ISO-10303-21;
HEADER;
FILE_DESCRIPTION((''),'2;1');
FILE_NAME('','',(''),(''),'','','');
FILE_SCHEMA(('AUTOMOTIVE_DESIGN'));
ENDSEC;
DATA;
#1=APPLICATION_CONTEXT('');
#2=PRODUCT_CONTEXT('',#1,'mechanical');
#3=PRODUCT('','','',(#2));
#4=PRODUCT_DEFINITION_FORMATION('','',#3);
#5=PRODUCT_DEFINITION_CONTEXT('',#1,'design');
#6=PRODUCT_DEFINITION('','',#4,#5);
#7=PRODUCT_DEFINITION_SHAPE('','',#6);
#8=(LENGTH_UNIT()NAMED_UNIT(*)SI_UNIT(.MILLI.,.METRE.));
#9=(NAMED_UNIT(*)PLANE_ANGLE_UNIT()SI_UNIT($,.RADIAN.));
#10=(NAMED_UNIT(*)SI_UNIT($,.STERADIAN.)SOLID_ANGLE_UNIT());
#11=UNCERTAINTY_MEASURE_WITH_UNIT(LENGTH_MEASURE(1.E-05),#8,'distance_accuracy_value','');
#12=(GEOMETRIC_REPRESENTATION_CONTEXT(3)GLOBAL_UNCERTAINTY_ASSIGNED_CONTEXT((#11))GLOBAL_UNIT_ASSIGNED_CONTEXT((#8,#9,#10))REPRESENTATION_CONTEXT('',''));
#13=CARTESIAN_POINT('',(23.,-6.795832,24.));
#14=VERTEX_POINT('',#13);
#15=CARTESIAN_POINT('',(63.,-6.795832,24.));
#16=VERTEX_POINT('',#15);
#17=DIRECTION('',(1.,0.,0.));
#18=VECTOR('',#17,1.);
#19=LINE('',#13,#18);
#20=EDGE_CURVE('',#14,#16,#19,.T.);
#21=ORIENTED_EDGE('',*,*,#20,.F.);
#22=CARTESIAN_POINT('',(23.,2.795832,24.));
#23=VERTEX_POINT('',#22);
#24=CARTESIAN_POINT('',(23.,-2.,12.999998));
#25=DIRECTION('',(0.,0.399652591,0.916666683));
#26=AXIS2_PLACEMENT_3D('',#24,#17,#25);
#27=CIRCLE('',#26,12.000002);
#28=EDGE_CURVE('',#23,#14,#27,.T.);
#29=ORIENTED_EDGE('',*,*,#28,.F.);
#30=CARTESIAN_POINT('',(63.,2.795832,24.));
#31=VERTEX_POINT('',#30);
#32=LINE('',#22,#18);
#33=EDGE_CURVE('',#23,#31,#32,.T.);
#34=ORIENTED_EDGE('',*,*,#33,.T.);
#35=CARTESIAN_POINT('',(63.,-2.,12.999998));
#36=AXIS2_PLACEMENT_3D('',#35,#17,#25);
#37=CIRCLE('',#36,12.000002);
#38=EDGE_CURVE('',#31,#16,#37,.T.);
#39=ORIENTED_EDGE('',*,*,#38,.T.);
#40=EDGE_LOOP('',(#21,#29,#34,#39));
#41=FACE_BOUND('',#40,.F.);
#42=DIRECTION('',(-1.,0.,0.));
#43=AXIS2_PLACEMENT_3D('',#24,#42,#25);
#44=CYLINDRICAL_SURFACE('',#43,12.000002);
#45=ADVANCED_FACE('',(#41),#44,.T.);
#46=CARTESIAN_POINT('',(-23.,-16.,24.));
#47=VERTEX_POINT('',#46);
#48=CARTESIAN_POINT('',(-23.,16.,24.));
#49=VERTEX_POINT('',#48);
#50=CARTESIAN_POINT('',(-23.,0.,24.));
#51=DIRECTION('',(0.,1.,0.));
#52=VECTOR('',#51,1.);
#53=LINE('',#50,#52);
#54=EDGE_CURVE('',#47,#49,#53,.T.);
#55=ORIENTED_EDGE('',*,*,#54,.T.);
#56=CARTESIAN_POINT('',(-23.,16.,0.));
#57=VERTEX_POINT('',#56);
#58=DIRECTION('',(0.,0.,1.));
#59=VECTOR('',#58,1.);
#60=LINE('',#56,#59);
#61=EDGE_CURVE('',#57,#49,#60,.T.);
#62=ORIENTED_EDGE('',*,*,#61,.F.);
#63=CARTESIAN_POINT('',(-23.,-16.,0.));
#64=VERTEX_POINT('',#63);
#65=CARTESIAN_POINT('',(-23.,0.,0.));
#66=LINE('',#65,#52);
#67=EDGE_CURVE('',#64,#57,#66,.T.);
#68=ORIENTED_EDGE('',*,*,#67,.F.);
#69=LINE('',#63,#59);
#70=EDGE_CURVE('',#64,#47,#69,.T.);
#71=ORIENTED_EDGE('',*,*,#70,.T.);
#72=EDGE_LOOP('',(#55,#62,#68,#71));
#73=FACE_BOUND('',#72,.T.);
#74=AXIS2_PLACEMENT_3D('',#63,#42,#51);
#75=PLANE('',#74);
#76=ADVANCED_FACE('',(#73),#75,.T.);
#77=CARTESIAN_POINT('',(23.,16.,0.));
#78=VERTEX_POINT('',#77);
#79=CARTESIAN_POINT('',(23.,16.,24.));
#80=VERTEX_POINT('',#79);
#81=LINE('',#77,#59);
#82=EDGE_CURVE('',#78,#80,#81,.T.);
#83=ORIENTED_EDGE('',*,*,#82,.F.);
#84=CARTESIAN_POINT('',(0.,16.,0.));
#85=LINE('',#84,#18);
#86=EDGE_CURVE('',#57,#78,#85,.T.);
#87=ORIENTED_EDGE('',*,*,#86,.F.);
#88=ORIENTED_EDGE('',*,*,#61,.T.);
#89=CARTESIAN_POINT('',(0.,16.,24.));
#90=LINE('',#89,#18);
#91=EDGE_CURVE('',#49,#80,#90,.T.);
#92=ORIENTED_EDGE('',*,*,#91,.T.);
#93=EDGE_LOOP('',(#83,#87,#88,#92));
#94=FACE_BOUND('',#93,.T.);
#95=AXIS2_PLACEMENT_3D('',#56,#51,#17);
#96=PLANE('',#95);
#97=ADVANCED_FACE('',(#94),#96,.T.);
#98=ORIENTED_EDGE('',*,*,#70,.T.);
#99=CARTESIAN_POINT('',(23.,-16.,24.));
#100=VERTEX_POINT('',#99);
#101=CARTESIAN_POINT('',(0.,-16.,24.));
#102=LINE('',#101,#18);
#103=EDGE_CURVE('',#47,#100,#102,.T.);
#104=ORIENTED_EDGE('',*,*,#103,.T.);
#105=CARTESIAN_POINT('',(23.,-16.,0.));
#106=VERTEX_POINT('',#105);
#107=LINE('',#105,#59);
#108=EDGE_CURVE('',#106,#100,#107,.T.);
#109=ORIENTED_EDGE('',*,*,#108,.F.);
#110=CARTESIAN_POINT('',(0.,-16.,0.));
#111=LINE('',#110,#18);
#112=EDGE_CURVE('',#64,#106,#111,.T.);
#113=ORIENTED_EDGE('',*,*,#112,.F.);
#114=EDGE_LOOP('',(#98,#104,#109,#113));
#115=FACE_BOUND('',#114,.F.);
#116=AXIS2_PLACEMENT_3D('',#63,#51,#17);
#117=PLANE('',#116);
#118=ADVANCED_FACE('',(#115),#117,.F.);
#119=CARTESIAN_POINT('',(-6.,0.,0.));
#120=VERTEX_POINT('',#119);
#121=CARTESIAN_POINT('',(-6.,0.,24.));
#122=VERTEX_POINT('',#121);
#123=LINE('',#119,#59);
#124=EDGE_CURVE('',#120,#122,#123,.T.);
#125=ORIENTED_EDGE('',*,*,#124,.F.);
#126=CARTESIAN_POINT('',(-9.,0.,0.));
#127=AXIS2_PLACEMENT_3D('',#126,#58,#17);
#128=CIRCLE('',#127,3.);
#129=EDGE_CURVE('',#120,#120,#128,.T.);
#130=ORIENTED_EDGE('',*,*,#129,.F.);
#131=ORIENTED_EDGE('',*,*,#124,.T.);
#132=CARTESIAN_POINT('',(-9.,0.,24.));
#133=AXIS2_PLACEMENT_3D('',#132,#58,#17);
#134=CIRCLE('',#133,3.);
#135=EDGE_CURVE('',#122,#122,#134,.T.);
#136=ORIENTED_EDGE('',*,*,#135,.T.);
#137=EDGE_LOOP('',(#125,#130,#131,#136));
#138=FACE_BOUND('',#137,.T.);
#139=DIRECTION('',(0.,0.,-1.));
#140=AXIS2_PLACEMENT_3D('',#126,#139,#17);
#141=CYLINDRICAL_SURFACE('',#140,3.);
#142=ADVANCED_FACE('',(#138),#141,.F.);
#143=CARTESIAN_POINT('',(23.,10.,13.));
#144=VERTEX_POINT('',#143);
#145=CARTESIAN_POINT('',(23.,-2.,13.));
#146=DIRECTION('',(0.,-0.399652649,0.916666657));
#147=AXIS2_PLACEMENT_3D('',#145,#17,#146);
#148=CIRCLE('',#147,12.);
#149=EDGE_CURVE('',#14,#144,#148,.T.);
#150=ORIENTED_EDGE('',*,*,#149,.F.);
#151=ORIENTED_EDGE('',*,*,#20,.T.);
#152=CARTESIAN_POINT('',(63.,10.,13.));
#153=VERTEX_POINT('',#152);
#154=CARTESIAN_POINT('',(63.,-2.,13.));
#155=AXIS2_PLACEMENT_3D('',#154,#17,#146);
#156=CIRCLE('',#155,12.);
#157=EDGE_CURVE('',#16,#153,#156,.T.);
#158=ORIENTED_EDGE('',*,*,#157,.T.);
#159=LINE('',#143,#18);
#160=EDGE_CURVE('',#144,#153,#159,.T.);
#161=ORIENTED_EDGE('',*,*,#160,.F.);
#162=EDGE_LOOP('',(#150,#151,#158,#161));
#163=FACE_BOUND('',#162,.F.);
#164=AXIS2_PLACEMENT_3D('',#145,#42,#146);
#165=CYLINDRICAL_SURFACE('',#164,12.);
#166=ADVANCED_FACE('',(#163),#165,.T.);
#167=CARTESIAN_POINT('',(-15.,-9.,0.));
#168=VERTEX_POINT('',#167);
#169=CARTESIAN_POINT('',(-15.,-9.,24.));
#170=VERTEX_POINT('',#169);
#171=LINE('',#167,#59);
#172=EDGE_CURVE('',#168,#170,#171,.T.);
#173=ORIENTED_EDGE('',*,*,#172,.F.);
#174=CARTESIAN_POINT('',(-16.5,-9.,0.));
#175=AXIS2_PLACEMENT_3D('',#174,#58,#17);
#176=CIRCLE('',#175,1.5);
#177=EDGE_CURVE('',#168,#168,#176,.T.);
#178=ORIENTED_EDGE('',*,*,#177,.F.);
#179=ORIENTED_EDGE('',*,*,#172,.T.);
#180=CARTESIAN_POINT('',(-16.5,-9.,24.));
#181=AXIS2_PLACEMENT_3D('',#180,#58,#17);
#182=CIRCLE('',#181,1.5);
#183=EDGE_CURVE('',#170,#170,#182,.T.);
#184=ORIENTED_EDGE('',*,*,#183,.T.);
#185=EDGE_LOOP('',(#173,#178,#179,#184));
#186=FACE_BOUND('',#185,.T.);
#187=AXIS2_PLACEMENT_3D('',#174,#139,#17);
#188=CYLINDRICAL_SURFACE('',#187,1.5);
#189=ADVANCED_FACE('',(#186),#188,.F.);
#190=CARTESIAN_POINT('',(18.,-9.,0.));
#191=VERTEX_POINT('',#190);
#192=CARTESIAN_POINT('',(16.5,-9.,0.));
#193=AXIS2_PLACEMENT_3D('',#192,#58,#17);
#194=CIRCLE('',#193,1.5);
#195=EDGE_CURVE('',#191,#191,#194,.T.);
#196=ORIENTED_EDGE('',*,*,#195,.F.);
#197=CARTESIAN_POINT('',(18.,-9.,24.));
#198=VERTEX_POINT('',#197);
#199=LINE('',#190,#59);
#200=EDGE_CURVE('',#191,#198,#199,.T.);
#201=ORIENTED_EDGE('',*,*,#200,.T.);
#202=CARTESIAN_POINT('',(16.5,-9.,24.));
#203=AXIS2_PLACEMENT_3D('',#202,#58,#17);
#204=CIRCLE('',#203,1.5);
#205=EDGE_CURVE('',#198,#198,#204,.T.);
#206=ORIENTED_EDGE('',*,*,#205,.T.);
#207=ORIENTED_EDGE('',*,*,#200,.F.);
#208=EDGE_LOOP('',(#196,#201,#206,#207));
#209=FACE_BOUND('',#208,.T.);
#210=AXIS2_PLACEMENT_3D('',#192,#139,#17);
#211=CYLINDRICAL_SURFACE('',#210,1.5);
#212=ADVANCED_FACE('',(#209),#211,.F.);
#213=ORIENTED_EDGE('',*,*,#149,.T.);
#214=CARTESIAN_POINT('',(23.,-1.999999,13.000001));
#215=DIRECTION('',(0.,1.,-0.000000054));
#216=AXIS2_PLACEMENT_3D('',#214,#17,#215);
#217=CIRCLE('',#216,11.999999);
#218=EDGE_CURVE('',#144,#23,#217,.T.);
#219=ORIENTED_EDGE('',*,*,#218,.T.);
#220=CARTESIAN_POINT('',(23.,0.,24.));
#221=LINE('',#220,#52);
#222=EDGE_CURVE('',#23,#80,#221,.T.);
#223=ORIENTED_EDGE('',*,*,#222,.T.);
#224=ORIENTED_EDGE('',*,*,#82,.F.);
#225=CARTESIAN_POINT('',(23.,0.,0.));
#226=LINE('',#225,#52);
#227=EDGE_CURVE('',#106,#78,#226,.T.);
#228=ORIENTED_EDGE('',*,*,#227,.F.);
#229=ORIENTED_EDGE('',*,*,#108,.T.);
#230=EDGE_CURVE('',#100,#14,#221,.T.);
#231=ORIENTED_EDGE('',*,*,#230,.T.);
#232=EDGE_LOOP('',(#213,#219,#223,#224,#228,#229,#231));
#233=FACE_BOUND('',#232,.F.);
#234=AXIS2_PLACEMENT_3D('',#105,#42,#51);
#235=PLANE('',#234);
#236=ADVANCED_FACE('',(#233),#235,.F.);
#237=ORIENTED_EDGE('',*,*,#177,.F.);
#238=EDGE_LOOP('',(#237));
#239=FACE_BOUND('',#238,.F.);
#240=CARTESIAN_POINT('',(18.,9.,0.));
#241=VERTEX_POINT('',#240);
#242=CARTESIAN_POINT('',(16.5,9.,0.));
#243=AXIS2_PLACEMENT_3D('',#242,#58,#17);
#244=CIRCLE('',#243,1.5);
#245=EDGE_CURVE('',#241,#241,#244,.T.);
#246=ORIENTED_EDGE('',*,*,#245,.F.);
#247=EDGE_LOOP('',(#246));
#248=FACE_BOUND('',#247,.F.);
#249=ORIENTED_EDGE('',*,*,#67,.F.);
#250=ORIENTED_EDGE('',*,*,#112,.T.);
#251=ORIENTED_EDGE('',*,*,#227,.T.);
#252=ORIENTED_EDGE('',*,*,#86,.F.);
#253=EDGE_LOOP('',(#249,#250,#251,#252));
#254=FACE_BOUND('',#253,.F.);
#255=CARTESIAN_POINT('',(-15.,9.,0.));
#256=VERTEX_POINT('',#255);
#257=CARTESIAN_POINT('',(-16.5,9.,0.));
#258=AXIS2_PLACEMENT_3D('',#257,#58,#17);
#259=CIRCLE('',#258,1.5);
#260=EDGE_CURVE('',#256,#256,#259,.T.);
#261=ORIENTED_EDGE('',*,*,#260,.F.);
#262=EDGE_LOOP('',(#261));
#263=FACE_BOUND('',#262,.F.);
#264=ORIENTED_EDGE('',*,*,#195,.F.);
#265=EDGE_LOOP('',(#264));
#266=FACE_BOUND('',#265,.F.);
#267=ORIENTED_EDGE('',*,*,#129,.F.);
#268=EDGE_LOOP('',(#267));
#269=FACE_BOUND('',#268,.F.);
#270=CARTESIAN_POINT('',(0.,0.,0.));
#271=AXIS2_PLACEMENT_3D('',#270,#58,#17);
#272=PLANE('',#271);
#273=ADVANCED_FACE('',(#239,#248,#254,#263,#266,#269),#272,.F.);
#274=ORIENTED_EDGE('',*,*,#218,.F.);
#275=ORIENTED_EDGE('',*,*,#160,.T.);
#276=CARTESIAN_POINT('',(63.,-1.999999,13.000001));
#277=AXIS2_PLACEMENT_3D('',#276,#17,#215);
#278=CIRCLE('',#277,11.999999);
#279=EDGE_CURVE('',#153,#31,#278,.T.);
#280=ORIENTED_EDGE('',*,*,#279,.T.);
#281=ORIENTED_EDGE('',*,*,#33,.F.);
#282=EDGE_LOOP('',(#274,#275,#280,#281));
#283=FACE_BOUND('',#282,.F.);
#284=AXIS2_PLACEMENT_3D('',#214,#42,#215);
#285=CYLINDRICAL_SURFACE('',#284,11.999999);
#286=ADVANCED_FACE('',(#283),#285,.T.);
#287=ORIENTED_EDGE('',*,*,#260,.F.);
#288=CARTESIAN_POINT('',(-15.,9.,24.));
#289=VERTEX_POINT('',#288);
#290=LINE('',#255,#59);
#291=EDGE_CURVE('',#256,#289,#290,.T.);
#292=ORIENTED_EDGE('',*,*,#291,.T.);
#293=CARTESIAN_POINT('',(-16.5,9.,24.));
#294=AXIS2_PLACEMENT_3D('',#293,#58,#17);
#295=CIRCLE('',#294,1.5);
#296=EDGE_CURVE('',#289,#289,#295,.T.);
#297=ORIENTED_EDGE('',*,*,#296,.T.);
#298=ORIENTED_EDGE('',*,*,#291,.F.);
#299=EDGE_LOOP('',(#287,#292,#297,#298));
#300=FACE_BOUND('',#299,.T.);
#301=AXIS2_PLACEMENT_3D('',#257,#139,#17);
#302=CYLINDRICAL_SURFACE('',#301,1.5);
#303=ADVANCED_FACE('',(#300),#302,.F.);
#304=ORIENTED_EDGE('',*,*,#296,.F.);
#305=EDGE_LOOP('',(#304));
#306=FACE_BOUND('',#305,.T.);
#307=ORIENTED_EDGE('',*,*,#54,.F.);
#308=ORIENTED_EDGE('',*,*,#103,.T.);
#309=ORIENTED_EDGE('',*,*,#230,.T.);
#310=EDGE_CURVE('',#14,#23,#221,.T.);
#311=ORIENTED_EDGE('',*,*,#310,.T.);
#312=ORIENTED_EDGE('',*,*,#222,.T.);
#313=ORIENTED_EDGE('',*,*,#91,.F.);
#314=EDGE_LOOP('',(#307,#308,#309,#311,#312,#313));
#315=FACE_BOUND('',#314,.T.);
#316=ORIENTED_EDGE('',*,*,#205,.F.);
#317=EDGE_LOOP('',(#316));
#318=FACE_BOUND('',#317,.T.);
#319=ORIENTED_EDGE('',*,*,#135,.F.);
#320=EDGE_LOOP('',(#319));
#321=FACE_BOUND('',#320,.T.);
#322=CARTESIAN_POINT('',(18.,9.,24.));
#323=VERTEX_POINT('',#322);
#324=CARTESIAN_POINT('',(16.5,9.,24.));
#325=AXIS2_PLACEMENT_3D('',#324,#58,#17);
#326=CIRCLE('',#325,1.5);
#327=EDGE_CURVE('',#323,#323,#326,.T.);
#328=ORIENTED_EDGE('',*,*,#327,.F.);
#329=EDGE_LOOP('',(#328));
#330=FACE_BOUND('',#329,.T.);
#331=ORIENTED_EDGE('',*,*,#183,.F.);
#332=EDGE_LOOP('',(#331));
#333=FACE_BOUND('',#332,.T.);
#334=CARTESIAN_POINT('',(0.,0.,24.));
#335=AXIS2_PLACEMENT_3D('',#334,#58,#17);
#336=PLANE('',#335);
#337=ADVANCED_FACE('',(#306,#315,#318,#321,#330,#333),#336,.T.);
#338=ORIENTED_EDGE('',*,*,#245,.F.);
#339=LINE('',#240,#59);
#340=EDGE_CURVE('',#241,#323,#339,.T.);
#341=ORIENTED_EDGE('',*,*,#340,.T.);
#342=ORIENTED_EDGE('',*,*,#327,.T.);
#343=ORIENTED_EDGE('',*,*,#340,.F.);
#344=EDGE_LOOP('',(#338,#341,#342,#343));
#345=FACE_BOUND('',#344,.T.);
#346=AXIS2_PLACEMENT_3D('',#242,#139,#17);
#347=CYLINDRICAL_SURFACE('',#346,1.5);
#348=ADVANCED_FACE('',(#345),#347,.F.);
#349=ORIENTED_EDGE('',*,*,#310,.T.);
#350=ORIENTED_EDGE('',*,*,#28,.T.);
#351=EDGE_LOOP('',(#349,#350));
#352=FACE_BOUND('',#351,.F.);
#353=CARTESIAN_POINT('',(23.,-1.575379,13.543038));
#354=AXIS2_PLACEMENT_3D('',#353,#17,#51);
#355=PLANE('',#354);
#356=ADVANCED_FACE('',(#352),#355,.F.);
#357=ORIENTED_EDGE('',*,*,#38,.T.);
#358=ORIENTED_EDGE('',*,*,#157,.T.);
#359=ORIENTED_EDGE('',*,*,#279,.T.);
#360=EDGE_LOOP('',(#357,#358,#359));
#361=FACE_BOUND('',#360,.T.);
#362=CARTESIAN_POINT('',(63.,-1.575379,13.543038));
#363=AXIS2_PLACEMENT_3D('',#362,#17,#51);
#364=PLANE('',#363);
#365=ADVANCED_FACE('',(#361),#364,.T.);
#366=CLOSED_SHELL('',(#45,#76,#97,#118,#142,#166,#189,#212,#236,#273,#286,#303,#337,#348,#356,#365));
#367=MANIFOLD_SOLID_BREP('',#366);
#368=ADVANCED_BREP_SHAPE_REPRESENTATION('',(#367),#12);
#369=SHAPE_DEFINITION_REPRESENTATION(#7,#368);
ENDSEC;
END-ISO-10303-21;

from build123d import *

# Parameters (mm, degrees)
F0_W     = 46
F0_H     = 32
F0_R     = 1.5
F0_R_2   = 3
F1_DEPTH = 24
F3_DEPTH = 40


with BuildPart() as f1:
    # F0 (on Top) → F1 (new body)
    with BuildSketch(Plane.XY):
        Rectangle(F0_W, F0_H)
        with Locations((-16.5, -9)):
            Circle(F0_R, mode=Mode.SUBTRACT)
        with Locations((16.5, -9)):
            Circle(F0_R, mode=Mode.SUBTRACT)
        with Locations((-9, 0)):
            Circle(F0_R_2, mode=Mode.SUBTRACT)
        with Locations((-16.5, 9)):
            Circle(F0_R, mode=Mode.SUBTRACT)
        with Locations((16.5, 9)):
            Circle(F0_R, mode=Mode.SUBTRACT)
    extrude(amount=F1_DEPTH)

    # F2 (on face) → F3 (join)
    with BuildSketch(Plane.YZ.offset(23)):
        with BuildLine():
            ThreePointArc((-6.795832, 24), (-8.574573, 2.961325), (10, 13))
            ThreePointArc((10, 13), (8.038675, 19.574573), (2.795832, 24))
            Line((2.795832, 24), (-6.795832, 24))
        make_face()
        with BuildLine():
            Line((-6.795832, 24), (2.795832, 24))
            ThreePointArc((2.795832, 24), (-2, 25), (-6.795832, 24))
        make_face()
    extrude(amount=F3_DEPTH)


solid = f1.part
